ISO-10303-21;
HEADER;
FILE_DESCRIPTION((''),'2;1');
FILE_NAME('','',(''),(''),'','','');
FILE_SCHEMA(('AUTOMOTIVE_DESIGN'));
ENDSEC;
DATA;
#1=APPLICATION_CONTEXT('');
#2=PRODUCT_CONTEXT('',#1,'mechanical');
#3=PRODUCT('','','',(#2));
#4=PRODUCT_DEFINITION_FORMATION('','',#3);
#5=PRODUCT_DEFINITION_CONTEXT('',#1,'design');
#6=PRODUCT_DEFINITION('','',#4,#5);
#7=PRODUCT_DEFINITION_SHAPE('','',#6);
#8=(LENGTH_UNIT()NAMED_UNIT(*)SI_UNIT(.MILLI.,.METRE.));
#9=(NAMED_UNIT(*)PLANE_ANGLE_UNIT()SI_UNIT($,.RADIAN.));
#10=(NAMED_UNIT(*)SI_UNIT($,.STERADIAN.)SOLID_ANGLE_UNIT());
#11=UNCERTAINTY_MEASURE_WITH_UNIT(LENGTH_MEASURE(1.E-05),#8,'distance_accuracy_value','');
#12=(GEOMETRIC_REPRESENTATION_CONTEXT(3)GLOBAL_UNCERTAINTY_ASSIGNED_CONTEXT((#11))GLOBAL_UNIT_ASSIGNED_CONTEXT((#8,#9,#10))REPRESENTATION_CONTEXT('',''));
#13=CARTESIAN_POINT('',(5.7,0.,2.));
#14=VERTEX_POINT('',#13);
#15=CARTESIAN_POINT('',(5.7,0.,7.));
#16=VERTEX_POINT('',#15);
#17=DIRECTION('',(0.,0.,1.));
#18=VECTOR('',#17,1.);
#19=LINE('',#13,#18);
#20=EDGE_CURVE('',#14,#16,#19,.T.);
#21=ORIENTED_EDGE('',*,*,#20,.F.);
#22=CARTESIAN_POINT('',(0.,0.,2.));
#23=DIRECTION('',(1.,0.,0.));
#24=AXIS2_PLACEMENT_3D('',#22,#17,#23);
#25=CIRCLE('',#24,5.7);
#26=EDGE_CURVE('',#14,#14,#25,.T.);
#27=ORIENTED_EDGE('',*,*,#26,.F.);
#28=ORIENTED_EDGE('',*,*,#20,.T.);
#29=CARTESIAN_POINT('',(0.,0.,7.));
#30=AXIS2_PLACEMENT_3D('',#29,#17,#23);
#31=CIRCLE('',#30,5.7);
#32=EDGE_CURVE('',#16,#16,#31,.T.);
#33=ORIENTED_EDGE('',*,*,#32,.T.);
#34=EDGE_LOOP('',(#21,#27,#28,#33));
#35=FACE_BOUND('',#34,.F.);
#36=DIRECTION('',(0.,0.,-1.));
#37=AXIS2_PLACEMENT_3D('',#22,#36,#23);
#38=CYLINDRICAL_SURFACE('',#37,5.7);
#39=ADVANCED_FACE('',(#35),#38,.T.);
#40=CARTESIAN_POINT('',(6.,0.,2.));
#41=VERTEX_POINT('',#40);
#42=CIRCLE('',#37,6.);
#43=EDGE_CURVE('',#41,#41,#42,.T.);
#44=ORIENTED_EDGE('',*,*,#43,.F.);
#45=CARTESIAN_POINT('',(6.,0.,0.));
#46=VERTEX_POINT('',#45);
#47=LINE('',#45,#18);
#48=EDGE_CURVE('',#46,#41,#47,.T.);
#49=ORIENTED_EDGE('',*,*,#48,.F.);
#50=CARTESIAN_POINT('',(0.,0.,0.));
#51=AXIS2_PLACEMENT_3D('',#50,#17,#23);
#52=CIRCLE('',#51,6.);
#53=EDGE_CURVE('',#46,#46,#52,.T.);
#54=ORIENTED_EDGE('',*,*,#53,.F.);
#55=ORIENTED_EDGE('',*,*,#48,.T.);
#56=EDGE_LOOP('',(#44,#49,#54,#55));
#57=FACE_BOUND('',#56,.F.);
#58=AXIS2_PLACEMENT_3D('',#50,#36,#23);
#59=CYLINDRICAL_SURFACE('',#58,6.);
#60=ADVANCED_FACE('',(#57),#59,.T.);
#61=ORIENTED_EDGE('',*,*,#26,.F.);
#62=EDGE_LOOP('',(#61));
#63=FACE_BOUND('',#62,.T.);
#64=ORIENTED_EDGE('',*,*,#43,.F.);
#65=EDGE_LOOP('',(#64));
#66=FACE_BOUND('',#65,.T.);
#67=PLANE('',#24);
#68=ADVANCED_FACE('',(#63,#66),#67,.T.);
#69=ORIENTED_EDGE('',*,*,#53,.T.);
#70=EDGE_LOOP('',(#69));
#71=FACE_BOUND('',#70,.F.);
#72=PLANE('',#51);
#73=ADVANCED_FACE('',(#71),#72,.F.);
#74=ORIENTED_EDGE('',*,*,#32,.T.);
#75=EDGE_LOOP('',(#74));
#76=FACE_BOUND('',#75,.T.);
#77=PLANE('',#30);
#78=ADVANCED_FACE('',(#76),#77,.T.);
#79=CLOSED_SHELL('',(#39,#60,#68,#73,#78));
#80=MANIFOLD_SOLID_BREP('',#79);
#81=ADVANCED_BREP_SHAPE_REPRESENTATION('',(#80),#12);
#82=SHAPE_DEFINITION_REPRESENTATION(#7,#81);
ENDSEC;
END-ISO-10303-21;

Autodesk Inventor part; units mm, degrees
ref_plane "YZ Plane" through (0, 0, 0) normal (1, 0, 0) x (0, 1, 0)
ref_plane "XZ Plane" through (0, 0, 0) normal (0, 1, 0) x (-1, 0, 0)
ref_plane "XY Plane" through (0, 0, 0) normal (0, 0, 1) x (1, 0, 0)
sketch "Skizze1" plane through (0, 0, 0) normal (0, 0, 1) x (1, 0, 0)
  line L0 (-8.4, 0) -> (8.4, 0) projected
  line L1 (0, -8.4) -> (0, 8.4) projected
  circle A0 centre (0, 0) radius 6
  dimension "d0" = 12
extrude "Extrusion1" add sketch "Skizze1" along normal blind 2
sketch "Skizze2" plane through (0, 0, 2) normal (0, 0, 1) x (1, 0, 0)
  circle A0 centre (0, 0) radius 5.7
  dimension "d3" = 11.4
extrude "Extrusion2" add sketch "Skizze2" along normal blind 5
properties part number "Düsenbefestigung"
